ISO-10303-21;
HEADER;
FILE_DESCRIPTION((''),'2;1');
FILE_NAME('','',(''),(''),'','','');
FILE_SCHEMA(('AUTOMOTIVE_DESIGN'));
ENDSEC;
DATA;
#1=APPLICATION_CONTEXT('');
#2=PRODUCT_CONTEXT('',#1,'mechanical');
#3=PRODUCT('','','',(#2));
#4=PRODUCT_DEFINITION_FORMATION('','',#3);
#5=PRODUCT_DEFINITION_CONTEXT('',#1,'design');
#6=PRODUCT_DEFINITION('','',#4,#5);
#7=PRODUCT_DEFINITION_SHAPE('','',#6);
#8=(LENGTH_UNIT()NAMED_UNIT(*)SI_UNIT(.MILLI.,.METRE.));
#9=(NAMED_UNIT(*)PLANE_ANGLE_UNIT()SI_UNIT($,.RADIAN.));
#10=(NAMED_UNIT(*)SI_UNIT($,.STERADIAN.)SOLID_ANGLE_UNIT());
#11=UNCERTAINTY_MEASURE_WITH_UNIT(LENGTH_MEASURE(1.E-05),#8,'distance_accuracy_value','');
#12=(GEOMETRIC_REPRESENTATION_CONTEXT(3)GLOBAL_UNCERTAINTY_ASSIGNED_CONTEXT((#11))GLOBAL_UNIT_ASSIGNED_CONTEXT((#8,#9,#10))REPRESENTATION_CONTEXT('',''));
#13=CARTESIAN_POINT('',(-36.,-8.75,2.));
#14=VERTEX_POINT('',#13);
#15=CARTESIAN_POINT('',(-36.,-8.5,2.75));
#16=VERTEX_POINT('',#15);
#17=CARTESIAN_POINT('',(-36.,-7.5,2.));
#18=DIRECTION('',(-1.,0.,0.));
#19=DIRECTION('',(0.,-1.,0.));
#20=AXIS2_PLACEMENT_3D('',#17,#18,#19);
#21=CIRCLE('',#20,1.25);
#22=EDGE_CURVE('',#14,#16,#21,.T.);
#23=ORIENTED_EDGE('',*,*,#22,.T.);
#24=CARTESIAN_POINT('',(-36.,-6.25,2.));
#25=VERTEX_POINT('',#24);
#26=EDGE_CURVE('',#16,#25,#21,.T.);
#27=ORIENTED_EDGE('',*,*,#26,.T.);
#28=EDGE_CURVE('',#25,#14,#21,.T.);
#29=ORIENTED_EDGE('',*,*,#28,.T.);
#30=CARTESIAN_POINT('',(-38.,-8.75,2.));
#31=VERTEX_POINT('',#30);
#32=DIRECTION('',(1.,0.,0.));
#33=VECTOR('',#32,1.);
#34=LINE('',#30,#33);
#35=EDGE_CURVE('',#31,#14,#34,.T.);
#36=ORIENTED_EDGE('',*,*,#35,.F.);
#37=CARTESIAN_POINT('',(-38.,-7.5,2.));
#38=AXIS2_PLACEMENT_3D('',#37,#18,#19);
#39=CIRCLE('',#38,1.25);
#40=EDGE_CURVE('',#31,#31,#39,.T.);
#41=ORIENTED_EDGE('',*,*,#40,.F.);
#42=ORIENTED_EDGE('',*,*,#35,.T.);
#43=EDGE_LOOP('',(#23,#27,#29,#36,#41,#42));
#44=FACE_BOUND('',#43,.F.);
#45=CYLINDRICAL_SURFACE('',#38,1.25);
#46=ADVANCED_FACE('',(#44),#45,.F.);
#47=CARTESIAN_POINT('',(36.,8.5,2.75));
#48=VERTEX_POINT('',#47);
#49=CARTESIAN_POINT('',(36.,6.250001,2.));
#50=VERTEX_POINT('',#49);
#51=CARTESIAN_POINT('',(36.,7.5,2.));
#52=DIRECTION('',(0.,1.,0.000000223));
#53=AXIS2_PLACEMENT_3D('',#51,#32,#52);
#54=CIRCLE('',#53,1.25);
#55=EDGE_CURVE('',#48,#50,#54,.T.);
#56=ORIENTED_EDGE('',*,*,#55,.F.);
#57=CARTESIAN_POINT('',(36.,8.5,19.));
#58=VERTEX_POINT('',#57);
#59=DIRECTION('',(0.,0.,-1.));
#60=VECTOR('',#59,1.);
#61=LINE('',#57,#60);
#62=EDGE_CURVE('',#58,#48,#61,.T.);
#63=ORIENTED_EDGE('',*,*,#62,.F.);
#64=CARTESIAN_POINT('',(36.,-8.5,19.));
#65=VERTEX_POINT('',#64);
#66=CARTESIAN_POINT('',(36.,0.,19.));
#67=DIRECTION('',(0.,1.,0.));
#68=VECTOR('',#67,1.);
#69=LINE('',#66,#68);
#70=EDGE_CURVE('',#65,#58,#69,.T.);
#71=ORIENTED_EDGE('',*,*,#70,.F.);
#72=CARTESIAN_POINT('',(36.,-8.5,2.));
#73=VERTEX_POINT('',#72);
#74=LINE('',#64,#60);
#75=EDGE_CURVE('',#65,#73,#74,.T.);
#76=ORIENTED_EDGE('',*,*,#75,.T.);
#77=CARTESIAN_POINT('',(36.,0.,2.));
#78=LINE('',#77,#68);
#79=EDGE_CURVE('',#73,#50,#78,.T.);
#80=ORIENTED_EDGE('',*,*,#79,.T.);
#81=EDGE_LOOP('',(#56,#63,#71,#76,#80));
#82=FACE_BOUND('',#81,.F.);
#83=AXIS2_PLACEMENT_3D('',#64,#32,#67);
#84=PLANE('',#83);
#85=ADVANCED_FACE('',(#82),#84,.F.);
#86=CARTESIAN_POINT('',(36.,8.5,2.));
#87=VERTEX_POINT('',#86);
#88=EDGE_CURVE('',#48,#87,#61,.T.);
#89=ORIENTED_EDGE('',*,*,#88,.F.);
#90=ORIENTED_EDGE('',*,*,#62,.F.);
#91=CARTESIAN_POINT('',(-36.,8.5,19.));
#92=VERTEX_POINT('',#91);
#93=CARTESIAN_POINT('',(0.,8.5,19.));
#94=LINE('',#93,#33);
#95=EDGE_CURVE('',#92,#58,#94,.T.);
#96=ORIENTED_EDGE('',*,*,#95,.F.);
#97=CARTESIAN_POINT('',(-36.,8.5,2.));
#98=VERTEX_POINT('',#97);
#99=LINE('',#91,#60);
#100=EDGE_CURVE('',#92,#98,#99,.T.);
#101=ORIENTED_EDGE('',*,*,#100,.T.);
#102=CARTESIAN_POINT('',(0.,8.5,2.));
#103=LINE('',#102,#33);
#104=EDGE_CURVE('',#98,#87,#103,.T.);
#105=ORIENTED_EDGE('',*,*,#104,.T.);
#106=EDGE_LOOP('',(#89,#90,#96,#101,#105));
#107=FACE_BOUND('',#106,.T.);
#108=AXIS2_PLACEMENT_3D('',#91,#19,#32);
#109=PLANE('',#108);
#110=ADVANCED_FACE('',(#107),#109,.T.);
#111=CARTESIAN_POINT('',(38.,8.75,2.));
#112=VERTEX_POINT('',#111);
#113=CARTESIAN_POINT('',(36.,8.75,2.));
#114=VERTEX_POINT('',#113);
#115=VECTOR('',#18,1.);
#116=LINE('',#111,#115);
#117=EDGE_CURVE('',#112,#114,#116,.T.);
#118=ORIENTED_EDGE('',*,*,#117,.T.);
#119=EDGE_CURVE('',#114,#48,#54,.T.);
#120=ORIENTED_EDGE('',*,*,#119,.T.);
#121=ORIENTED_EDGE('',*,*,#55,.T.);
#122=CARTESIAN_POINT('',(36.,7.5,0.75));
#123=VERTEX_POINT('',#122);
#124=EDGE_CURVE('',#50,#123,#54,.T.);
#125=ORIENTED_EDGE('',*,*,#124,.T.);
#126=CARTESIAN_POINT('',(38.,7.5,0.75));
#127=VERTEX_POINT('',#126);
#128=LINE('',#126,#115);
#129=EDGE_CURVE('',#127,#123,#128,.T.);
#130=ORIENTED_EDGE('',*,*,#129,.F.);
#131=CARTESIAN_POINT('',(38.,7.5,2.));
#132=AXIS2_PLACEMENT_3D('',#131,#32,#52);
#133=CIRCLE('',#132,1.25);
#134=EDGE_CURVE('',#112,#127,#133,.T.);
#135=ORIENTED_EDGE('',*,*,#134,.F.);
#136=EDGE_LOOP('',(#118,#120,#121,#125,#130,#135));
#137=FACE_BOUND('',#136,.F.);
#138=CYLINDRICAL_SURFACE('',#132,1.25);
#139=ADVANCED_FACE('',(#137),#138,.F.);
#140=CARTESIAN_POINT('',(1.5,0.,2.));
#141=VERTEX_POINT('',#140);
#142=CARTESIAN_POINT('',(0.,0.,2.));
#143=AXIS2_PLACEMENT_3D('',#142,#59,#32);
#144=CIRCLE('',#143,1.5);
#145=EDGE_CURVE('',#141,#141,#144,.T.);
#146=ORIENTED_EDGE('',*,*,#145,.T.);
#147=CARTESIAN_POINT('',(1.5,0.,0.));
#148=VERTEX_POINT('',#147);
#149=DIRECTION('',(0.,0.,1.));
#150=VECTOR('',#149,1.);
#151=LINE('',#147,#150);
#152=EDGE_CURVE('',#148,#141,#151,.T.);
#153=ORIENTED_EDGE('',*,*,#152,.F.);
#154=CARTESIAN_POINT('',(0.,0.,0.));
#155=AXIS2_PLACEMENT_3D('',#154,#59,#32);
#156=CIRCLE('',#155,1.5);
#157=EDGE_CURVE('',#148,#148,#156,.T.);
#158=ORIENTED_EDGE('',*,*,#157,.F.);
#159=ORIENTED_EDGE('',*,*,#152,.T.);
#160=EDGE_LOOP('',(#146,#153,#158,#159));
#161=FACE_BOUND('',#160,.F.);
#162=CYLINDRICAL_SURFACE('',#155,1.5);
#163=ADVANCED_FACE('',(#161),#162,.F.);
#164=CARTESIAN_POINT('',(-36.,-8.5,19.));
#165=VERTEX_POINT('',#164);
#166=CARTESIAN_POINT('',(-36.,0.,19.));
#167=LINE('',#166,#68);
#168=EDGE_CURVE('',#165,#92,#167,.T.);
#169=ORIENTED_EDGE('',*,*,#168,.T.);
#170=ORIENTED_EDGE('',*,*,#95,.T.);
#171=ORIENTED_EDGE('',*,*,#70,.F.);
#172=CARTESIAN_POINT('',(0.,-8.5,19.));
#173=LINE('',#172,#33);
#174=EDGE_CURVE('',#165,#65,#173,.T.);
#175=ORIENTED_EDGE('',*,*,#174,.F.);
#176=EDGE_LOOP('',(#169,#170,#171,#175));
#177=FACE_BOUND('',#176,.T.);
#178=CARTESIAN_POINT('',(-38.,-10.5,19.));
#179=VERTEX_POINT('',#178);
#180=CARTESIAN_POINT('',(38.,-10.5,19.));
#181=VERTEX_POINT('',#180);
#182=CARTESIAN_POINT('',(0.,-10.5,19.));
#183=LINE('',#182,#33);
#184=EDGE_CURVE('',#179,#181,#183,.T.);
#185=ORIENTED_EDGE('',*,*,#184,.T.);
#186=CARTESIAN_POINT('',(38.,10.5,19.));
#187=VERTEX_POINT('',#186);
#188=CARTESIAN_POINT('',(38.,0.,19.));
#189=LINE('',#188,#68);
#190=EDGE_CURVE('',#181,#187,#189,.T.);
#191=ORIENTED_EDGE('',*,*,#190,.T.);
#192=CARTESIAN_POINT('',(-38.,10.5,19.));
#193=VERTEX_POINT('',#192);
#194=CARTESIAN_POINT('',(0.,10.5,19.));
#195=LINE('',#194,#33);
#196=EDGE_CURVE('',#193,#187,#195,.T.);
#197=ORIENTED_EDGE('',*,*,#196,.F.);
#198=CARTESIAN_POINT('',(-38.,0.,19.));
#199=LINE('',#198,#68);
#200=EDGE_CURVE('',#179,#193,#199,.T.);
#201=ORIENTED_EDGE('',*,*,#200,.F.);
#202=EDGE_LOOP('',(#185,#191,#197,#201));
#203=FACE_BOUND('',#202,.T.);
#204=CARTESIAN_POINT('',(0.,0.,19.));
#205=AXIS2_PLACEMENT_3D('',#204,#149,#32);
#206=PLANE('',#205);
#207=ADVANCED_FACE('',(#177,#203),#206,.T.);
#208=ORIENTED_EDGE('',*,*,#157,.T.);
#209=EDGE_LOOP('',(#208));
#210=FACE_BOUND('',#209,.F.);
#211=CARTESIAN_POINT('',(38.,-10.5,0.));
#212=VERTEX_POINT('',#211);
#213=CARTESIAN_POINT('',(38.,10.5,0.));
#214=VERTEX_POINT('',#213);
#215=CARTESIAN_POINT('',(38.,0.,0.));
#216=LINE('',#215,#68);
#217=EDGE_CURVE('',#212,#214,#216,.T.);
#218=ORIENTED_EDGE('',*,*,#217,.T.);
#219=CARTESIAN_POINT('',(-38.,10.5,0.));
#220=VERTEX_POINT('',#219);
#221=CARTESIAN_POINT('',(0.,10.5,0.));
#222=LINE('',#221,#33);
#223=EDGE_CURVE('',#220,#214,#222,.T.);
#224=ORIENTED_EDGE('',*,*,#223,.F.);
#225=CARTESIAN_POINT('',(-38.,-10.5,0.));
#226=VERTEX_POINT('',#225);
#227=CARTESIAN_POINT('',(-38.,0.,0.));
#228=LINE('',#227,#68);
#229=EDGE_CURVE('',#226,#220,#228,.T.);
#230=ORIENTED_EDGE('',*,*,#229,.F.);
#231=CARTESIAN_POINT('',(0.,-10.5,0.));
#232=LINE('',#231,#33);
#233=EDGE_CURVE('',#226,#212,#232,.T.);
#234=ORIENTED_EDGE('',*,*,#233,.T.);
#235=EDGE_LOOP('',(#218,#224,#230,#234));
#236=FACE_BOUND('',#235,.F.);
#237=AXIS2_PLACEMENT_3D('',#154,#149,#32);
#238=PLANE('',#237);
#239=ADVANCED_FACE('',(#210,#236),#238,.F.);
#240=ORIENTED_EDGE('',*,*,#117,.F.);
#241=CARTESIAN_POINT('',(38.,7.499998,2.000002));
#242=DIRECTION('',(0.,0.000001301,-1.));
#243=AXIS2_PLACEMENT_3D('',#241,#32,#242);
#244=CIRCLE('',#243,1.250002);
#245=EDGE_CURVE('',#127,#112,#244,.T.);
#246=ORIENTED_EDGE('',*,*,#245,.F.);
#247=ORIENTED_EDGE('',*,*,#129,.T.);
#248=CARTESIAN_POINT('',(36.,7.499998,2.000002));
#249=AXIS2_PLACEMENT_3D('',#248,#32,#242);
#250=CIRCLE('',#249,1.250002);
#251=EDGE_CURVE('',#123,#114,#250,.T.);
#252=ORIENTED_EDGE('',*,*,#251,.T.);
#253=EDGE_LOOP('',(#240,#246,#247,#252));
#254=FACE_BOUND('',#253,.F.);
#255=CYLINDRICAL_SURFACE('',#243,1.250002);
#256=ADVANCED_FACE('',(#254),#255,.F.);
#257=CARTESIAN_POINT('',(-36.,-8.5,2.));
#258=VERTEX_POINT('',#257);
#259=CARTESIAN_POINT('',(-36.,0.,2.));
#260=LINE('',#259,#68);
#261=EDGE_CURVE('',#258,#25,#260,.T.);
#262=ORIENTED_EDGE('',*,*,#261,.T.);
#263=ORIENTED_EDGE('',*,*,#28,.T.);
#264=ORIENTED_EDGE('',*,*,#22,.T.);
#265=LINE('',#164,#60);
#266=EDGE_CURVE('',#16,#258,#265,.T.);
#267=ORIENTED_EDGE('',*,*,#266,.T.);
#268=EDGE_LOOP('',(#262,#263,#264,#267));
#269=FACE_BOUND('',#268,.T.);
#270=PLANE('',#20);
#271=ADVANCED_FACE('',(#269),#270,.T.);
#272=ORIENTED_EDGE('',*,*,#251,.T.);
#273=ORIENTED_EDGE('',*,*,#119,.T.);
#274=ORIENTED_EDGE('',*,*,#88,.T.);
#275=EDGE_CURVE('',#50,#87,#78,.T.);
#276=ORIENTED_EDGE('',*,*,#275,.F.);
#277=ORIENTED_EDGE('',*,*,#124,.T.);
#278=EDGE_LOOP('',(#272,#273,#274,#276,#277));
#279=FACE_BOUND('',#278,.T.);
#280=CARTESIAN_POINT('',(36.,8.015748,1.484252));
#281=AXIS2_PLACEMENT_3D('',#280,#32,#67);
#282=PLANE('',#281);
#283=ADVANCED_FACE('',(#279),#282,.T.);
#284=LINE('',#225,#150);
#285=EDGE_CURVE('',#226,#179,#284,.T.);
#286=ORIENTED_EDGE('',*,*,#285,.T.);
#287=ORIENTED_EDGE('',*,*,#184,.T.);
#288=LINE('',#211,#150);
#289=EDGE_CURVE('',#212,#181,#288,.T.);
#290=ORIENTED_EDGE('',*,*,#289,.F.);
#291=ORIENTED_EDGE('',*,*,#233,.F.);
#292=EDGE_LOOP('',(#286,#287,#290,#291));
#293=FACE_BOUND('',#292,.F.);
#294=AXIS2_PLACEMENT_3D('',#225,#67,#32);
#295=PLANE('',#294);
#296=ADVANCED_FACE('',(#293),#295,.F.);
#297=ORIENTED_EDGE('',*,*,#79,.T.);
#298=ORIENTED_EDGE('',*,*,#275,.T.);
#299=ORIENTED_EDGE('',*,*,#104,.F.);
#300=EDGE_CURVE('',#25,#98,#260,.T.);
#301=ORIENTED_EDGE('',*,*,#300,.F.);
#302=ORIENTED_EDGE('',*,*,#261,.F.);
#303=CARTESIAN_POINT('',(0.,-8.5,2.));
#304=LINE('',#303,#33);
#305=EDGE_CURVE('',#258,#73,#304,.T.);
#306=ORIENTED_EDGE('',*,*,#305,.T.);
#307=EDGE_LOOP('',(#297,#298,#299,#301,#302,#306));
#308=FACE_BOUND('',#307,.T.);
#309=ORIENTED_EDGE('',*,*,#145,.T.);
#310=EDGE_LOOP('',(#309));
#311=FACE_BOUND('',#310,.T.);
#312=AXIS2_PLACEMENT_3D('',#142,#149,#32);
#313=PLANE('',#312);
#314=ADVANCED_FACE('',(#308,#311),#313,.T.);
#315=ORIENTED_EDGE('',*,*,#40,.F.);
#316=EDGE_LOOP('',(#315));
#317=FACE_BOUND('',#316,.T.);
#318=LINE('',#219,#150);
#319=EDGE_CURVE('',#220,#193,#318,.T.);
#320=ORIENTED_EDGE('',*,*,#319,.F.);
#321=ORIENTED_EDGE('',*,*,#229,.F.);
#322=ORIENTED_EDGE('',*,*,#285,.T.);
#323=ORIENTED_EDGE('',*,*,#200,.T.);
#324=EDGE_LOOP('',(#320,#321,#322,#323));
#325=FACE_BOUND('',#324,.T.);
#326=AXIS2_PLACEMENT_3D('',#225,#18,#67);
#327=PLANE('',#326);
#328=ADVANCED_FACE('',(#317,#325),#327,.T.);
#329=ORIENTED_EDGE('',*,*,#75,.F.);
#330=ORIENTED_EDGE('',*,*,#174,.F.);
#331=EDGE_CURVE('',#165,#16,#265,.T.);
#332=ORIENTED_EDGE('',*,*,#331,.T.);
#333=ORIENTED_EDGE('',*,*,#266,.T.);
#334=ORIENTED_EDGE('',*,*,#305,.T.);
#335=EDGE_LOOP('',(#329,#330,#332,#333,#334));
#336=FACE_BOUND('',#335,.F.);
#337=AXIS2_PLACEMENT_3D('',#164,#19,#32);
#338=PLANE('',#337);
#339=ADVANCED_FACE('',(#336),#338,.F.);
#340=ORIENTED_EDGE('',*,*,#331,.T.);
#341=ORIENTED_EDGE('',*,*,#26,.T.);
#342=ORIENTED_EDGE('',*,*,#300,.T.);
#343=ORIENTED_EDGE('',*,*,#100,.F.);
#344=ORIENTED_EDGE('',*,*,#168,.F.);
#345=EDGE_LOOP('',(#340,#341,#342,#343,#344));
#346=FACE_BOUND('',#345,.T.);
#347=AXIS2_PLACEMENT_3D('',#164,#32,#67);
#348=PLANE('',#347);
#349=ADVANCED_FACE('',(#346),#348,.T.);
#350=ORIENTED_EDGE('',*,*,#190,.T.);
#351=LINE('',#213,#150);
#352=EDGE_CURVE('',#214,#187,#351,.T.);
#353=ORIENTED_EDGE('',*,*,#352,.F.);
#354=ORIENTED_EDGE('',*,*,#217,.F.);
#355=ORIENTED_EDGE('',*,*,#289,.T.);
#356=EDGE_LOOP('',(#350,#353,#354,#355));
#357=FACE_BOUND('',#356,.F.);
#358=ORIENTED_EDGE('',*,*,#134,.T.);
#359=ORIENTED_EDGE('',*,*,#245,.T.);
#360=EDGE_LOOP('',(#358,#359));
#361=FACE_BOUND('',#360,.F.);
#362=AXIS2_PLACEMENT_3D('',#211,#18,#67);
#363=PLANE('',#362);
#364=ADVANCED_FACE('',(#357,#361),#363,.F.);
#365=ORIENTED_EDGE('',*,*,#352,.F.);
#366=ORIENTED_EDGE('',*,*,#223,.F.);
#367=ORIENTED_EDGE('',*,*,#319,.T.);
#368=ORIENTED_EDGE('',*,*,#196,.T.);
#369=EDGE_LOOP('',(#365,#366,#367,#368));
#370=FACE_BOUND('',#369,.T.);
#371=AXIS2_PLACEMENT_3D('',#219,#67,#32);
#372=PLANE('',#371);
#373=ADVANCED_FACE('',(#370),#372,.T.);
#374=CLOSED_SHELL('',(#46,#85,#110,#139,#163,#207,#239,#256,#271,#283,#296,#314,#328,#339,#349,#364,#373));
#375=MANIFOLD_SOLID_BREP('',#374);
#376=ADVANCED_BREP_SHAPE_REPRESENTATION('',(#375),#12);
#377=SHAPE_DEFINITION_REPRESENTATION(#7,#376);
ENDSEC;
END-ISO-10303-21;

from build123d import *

# Parameters (mm, degrees)
F0_W     = 76
F0_H     = 21
F1_DEPTH = 19
F2_W     = 72
F2_H     = 17
F3_DEPTH = 17
F4_R     = 1.5
F5_DEPTH = 19.001
F6_R     = 1.25
F7_DEPTH = 2
F9_DEPTH = 2


with BuildPart() as f1:
    # F0 (on Top) → F1 (new body)
    with BuildSketch(Plane.XY):
        Rectangle(F0_W, F0_H)
    extrude(amount=F1_DEPTH)

    # F2 (on face) → F3 (cut)
    with BuildSketch(Plane.XY.offset(19)):
        Rectangle(F2_W, F2_H)
    extrude(amount=-F3_DEPTH, mode=Mode.SUBTRACT)

    # F4 (on face) → F5 (cut, through all)
    with BuildSketch(Plane(origin=(0, 0, 0), x_dir=(1, 0, 0), z_dir=(0, 0, -1))):
        Circle(F4_R)
    extrude(amount=-F5_DEPTH, mode=Mode.SUBTRACT)

    # F6 (on face) → F7 (cut)
    with BuildSketch(Plane(origin=(-38, 0, 0), x_dir=(0, -1, 0), z_dir=(-1, 0, 0))):
        with Locations((7.5, 2)):
            Circle(F6_R)
    extrude(amount=-F7_DEPTH, mode=Mode.SUBTRACT)

    # F8 (on face) → F9 (cut)
    with BuildSketch(Plane.YZ.offset(38)):
        with BuildLine():
            ThreePointArc((7.5, 0.75), (8.383883, 1.116117), (8.75, 2))
            Line((8.75, 2), (7.5, 2))
            Line((7.5, 2), (7.5, 0.75))
        make_face()
        with BuildLine():
            Line((7.5, 2), (8.75, 2))
            ThreePointArc((8.75, 2), (6.616117, 2.883883), (7.5, 0.75))
            Line((7.5, 0.75), (7.5, 2))
        make_face()
    extrude(amount=-F9_DEPTH, mode=Mode.SUBTRACT)


solid = f1.part
